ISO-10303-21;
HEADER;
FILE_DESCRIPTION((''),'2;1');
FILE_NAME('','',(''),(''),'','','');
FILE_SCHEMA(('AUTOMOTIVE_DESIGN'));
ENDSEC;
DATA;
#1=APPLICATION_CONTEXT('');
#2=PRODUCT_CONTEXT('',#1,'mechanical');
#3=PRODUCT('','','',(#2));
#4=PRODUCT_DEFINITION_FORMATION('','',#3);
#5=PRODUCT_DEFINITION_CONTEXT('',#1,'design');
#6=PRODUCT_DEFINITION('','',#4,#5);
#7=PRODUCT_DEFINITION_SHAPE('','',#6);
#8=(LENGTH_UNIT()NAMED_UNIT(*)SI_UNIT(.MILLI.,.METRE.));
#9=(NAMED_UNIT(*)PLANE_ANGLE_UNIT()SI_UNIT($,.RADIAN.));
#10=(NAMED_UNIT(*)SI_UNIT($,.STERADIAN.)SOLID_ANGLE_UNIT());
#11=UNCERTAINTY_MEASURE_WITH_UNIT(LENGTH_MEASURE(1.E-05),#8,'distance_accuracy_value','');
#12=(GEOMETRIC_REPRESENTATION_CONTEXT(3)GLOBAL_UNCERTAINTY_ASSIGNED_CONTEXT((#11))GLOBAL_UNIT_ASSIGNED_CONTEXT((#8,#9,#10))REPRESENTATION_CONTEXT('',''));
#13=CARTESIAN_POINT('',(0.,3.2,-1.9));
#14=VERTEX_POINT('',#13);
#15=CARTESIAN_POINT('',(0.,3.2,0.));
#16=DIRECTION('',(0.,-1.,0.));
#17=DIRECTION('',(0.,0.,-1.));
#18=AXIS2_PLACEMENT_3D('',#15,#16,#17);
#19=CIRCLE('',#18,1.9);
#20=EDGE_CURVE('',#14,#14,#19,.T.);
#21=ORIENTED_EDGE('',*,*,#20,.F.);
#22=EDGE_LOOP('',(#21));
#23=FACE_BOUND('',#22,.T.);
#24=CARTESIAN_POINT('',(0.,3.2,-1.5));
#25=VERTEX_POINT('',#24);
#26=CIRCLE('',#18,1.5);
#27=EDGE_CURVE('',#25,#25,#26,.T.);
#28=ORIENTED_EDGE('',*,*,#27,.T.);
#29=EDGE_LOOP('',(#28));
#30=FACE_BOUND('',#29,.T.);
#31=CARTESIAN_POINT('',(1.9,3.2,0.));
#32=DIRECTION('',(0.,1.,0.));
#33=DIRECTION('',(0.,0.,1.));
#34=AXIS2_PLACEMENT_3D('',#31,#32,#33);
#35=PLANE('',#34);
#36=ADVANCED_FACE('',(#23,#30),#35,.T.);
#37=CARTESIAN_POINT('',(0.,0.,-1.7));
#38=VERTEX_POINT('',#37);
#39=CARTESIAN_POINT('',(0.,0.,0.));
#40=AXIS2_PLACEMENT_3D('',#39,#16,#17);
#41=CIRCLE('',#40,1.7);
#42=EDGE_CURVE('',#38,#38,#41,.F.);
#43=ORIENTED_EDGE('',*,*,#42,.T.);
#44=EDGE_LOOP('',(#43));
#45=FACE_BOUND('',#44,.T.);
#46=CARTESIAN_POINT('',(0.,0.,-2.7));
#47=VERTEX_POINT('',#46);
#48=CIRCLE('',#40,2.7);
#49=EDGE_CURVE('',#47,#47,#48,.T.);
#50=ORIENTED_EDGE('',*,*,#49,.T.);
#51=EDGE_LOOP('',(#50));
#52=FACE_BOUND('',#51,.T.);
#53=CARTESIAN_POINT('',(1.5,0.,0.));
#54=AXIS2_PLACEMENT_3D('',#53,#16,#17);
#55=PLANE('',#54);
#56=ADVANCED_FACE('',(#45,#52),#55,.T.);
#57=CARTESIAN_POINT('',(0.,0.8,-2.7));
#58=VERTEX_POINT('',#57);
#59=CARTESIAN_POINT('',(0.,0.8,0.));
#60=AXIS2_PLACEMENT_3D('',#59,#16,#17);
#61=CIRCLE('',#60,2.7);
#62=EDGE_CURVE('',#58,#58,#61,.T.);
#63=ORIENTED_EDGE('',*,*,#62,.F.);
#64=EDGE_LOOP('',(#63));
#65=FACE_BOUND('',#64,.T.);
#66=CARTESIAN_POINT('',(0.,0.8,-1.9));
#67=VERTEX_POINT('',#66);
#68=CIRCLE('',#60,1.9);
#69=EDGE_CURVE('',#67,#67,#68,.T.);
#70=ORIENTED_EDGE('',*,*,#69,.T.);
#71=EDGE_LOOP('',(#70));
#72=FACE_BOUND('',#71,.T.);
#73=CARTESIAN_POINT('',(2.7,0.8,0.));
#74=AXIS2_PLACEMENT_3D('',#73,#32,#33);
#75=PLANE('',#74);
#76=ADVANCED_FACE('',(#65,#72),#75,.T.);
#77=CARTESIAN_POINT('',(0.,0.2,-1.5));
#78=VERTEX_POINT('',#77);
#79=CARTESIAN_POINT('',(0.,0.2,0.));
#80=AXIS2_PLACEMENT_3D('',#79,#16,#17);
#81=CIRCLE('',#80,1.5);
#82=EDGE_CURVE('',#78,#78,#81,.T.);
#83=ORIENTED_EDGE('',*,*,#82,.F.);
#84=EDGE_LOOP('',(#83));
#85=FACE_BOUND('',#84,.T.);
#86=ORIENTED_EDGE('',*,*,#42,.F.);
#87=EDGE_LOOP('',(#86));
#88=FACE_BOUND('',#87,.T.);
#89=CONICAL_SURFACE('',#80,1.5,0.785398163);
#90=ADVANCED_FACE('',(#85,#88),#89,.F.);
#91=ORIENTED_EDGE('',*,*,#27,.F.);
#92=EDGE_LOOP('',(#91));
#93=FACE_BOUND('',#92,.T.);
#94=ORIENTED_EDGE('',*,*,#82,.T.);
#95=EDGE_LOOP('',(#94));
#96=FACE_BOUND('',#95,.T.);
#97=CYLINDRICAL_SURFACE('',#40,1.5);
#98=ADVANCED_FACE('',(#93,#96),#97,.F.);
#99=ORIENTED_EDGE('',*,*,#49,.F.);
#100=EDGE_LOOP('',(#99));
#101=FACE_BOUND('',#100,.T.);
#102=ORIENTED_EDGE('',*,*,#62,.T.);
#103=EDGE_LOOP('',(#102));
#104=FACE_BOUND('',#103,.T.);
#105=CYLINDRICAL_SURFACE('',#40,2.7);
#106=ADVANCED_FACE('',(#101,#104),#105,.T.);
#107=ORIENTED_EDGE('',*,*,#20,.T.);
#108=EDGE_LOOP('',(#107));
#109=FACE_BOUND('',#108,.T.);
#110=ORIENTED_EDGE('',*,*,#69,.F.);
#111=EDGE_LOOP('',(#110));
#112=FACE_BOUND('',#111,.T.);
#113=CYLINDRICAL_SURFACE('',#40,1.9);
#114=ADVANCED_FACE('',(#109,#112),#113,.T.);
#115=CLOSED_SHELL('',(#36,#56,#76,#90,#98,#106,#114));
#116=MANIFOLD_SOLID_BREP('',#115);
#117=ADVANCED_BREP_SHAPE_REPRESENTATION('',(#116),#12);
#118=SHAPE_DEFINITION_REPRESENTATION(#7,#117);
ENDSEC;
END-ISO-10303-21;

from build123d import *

# Parameters (mm, degrees)
CHAMFER1_SIZE = 0.2


with BuildPart() as part:
    # Sketch1 → Revolve1 (revolve)
    with BuildSketch(Plane.XY):
        Polygon((1.5, 0), (2.7, 0), (2.7, 0.8), (1.9, 0.8), (1.9, 3.2), (1.5, 3.2), align=None)
    revolve(axis=Axis((0, 0, 0), (0, 1, 0)))

    # Chamfer1
    chamfer1_edges = [part.edges().sort_by_distance(p)[0] for p in [
        (-1.5, 0, 0),
    ]]
    chamfer(chamfer1_edges, length=CHAMFER1_SIZE)


solid = part.part
